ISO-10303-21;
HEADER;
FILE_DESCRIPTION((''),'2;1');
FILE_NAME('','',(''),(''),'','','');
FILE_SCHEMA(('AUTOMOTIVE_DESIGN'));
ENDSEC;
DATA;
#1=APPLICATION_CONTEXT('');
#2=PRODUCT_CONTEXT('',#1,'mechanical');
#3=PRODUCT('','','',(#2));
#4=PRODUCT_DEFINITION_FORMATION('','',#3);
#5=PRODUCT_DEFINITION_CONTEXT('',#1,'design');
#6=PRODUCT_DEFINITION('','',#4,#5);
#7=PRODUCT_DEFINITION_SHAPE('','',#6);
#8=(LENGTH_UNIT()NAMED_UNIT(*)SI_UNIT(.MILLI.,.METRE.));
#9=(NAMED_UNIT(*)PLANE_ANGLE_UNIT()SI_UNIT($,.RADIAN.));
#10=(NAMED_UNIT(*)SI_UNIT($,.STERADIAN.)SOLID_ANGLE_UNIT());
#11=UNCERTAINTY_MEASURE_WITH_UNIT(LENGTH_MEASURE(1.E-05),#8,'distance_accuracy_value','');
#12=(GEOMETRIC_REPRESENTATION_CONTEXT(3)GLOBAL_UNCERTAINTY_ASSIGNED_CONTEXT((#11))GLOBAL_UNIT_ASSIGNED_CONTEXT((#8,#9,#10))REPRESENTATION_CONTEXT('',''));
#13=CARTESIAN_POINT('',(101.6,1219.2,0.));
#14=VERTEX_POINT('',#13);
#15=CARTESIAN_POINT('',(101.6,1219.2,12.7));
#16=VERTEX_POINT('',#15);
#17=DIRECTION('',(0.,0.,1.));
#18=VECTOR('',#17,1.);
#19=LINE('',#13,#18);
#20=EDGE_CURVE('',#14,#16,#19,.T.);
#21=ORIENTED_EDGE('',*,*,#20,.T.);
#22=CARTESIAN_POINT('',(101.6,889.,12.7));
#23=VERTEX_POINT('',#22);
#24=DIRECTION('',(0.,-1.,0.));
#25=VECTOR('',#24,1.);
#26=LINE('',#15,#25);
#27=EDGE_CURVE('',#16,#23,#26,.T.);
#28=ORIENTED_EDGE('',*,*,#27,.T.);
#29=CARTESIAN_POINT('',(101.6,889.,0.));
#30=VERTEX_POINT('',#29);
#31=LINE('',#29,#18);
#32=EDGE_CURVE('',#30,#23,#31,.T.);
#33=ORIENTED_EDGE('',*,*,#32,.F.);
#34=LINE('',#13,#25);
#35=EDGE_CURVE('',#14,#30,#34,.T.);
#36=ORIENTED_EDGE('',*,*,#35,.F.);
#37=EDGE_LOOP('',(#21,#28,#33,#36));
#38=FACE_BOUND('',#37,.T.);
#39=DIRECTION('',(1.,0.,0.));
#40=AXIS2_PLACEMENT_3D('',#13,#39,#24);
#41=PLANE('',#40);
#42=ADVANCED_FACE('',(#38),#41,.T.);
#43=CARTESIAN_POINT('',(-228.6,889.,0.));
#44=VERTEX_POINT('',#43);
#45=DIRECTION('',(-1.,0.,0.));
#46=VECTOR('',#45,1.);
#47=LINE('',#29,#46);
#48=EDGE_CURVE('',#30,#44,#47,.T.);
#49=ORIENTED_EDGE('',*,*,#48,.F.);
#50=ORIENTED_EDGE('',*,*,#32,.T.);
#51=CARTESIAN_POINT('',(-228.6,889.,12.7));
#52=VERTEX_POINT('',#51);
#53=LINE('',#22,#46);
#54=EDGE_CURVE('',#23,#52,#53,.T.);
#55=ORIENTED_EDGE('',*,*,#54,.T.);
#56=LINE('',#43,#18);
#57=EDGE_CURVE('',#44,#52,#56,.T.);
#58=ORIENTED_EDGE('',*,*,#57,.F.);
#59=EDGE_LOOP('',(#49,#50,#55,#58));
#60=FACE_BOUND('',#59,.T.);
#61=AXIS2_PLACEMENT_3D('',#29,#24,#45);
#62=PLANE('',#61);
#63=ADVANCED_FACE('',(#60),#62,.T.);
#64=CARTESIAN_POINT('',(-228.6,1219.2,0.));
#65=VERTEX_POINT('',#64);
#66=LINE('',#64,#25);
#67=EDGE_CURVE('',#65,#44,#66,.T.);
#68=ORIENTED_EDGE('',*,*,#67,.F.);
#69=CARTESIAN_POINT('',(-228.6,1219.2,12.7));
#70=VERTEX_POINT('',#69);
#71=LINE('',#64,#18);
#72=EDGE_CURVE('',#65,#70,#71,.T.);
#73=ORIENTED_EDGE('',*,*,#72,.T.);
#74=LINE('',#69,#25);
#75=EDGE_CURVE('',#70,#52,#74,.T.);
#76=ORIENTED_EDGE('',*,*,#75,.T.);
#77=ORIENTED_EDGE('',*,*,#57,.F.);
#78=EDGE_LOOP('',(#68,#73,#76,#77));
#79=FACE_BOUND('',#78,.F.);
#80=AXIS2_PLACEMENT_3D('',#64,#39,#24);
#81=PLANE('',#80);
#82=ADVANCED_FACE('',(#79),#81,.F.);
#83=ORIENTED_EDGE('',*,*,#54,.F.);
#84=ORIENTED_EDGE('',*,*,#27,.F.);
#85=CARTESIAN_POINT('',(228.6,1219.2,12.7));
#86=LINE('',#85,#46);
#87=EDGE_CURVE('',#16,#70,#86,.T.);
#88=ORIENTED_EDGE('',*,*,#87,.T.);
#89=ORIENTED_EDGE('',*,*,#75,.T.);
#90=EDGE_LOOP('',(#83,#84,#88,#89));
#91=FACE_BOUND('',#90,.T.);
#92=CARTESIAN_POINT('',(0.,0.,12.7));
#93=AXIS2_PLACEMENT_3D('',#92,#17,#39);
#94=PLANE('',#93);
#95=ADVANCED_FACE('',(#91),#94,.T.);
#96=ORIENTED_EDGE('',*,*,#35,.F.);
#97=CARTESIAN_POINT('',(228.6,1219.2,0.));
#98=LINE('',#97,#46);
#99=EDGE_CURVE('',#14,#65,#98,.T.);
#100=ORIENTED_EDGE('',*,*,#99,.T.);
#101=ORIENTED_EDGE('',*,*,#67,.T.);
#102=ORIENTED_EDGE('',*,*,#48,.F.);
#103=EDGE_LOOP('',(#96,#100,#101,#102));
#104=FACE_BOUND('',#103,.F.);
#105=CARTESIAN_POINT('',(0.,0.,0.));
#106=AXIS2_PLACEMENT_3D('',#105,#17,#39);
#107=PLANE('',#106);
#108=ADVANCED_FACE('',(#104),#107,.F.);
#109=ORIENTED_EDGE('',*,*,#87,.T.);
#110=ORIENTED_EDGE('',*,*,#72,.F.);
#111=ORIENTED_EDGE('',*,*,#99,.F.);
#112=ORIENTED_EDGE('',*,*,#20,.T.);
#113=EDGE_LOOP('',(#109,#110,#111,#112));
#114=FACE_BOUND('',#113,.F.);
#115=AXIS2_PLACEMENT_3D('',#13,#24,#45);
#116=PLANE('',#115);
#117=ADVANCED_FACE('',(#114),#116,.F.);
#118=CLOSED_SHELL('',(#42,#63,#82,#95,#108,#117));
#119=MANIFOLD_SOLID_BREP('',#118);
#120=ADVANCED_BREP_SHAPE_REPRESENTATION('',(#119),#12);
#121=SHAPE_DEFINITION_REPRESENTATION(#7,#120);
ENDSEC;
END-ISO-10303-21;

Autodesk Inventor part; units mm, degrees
ref_plane "YZ Plane" through (0, 0, 0) normal (1, 0, 0) x (0, 1, 0)
ref_plane "XZ Plane" through (0, 0, 0) normal (0, 1, 0) x (-1, 0, 0)
ref_plane "XY Plane" through (0, 0, 0) normal (0, 0, 1) x (1, 0, 0)
sketch "Sketch1" plane through (0, 0, 0) normal (0, 0, 1) x (1, 0, 0)
  line L0 (228.6, 1219.2) -> (-228.6, 1219.2) projected
  line L1 (-228.6, 1219.2) -> (-228.6, -1219.2) projected
  line L2 (-228.6, -1219.2) -> (228.6, -1219.2) projected
  line L3 (228.6, -1219.2) -> (228.6, 1219.2) projected
  line L4 (-228.6, 1219.2) -> (101.6, 1219.2)
  line L5 (101.6, 1219.2) -> (101.6, 889)
  line L6 (101.6, 889) -> (-228.6, 889)
  line L7 (-228.6, 889) -> (-228.6, 1219.2)
  point P0 (0, 0)
  dimension "d0" = 330.2
  dimension "d1" = 330.2
extrude "Extrusion1" add sketch "Sketch1" along normal blind 12.7 contours L5 L6 L1 L0
properties part number "Stove"
